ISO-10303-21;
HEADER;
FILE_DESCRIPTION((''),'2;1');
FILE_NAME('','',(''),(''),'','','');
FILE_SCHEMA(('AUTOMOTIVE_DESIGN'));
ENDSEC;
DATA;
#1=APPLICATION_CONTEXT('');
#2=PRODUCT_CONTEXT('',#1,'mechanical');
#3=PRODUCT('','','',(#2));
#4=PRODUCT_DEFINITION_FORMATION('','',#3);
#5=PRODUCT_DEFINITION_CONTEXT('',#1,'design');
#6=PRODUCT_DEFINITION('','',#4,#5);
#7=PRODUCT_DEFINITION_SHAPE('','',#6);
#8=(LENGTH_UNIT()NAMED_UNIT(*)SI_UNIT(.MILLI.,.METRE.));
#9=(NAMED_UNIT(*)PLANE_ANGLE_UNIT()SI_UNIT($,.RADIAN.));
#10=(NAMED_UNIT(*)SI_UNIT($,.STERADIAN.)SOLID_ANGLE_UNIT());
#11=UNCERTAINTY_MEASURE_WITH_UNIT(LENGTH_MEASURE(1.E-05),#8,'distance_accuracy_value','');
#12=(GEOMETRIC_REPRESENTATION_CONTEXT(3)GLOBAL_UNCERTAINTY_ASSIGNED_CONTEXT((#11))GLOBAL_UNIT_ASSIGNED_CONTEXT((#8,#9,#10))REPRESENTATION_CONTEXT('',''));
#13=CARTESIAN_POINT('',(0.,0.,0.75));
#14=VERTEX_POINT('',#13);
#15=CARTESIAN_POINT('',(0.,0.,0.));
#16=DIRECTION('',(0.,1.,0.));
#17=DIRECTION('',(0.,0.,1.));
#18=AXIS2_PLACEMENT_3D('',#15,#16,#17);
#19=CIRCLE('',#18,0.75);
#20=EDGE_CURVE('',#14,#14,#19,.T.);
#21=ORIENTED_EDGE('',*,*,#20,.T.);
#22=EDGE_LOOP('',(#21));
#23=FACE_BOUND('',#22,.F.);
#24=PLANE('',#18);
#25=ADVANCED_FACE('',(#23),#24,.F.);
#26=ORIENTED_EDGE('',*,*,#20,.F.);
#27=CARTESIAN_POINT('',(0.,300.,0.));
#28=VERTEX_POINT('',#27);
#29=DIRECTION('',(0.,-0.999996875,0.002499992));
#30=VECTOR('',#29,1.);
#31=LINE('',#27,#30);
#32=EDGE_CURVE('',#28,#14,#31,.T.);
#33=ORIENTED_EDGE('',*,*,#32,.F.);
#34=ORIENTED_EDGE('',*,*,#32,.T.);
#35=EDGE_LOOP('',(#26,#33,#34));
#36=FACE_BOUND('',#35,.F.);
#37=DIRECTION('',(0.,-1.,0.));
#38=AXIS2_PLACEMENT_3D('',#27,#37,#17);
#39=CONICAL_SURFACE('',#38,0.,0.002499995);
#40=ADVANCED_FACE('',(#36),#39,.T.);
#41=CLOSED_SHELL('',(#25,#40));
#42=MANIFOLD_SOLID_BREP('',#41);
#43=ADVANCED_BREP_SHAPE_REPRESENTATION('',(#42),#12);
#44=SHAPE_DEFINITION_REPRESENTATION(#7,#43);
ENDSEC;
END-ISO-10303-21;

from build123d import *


with BuildPart() as f1:
    # F0 (on Right) → F1 (revolve)
    with BuildSketch(Plane.YZ):
        Polygon((0, 0.75), (0, 0), (300, 0), align=None)
    revolve(axis=Axis((0, 150, 0), (0, 1, 0)))


solid = f1.part
